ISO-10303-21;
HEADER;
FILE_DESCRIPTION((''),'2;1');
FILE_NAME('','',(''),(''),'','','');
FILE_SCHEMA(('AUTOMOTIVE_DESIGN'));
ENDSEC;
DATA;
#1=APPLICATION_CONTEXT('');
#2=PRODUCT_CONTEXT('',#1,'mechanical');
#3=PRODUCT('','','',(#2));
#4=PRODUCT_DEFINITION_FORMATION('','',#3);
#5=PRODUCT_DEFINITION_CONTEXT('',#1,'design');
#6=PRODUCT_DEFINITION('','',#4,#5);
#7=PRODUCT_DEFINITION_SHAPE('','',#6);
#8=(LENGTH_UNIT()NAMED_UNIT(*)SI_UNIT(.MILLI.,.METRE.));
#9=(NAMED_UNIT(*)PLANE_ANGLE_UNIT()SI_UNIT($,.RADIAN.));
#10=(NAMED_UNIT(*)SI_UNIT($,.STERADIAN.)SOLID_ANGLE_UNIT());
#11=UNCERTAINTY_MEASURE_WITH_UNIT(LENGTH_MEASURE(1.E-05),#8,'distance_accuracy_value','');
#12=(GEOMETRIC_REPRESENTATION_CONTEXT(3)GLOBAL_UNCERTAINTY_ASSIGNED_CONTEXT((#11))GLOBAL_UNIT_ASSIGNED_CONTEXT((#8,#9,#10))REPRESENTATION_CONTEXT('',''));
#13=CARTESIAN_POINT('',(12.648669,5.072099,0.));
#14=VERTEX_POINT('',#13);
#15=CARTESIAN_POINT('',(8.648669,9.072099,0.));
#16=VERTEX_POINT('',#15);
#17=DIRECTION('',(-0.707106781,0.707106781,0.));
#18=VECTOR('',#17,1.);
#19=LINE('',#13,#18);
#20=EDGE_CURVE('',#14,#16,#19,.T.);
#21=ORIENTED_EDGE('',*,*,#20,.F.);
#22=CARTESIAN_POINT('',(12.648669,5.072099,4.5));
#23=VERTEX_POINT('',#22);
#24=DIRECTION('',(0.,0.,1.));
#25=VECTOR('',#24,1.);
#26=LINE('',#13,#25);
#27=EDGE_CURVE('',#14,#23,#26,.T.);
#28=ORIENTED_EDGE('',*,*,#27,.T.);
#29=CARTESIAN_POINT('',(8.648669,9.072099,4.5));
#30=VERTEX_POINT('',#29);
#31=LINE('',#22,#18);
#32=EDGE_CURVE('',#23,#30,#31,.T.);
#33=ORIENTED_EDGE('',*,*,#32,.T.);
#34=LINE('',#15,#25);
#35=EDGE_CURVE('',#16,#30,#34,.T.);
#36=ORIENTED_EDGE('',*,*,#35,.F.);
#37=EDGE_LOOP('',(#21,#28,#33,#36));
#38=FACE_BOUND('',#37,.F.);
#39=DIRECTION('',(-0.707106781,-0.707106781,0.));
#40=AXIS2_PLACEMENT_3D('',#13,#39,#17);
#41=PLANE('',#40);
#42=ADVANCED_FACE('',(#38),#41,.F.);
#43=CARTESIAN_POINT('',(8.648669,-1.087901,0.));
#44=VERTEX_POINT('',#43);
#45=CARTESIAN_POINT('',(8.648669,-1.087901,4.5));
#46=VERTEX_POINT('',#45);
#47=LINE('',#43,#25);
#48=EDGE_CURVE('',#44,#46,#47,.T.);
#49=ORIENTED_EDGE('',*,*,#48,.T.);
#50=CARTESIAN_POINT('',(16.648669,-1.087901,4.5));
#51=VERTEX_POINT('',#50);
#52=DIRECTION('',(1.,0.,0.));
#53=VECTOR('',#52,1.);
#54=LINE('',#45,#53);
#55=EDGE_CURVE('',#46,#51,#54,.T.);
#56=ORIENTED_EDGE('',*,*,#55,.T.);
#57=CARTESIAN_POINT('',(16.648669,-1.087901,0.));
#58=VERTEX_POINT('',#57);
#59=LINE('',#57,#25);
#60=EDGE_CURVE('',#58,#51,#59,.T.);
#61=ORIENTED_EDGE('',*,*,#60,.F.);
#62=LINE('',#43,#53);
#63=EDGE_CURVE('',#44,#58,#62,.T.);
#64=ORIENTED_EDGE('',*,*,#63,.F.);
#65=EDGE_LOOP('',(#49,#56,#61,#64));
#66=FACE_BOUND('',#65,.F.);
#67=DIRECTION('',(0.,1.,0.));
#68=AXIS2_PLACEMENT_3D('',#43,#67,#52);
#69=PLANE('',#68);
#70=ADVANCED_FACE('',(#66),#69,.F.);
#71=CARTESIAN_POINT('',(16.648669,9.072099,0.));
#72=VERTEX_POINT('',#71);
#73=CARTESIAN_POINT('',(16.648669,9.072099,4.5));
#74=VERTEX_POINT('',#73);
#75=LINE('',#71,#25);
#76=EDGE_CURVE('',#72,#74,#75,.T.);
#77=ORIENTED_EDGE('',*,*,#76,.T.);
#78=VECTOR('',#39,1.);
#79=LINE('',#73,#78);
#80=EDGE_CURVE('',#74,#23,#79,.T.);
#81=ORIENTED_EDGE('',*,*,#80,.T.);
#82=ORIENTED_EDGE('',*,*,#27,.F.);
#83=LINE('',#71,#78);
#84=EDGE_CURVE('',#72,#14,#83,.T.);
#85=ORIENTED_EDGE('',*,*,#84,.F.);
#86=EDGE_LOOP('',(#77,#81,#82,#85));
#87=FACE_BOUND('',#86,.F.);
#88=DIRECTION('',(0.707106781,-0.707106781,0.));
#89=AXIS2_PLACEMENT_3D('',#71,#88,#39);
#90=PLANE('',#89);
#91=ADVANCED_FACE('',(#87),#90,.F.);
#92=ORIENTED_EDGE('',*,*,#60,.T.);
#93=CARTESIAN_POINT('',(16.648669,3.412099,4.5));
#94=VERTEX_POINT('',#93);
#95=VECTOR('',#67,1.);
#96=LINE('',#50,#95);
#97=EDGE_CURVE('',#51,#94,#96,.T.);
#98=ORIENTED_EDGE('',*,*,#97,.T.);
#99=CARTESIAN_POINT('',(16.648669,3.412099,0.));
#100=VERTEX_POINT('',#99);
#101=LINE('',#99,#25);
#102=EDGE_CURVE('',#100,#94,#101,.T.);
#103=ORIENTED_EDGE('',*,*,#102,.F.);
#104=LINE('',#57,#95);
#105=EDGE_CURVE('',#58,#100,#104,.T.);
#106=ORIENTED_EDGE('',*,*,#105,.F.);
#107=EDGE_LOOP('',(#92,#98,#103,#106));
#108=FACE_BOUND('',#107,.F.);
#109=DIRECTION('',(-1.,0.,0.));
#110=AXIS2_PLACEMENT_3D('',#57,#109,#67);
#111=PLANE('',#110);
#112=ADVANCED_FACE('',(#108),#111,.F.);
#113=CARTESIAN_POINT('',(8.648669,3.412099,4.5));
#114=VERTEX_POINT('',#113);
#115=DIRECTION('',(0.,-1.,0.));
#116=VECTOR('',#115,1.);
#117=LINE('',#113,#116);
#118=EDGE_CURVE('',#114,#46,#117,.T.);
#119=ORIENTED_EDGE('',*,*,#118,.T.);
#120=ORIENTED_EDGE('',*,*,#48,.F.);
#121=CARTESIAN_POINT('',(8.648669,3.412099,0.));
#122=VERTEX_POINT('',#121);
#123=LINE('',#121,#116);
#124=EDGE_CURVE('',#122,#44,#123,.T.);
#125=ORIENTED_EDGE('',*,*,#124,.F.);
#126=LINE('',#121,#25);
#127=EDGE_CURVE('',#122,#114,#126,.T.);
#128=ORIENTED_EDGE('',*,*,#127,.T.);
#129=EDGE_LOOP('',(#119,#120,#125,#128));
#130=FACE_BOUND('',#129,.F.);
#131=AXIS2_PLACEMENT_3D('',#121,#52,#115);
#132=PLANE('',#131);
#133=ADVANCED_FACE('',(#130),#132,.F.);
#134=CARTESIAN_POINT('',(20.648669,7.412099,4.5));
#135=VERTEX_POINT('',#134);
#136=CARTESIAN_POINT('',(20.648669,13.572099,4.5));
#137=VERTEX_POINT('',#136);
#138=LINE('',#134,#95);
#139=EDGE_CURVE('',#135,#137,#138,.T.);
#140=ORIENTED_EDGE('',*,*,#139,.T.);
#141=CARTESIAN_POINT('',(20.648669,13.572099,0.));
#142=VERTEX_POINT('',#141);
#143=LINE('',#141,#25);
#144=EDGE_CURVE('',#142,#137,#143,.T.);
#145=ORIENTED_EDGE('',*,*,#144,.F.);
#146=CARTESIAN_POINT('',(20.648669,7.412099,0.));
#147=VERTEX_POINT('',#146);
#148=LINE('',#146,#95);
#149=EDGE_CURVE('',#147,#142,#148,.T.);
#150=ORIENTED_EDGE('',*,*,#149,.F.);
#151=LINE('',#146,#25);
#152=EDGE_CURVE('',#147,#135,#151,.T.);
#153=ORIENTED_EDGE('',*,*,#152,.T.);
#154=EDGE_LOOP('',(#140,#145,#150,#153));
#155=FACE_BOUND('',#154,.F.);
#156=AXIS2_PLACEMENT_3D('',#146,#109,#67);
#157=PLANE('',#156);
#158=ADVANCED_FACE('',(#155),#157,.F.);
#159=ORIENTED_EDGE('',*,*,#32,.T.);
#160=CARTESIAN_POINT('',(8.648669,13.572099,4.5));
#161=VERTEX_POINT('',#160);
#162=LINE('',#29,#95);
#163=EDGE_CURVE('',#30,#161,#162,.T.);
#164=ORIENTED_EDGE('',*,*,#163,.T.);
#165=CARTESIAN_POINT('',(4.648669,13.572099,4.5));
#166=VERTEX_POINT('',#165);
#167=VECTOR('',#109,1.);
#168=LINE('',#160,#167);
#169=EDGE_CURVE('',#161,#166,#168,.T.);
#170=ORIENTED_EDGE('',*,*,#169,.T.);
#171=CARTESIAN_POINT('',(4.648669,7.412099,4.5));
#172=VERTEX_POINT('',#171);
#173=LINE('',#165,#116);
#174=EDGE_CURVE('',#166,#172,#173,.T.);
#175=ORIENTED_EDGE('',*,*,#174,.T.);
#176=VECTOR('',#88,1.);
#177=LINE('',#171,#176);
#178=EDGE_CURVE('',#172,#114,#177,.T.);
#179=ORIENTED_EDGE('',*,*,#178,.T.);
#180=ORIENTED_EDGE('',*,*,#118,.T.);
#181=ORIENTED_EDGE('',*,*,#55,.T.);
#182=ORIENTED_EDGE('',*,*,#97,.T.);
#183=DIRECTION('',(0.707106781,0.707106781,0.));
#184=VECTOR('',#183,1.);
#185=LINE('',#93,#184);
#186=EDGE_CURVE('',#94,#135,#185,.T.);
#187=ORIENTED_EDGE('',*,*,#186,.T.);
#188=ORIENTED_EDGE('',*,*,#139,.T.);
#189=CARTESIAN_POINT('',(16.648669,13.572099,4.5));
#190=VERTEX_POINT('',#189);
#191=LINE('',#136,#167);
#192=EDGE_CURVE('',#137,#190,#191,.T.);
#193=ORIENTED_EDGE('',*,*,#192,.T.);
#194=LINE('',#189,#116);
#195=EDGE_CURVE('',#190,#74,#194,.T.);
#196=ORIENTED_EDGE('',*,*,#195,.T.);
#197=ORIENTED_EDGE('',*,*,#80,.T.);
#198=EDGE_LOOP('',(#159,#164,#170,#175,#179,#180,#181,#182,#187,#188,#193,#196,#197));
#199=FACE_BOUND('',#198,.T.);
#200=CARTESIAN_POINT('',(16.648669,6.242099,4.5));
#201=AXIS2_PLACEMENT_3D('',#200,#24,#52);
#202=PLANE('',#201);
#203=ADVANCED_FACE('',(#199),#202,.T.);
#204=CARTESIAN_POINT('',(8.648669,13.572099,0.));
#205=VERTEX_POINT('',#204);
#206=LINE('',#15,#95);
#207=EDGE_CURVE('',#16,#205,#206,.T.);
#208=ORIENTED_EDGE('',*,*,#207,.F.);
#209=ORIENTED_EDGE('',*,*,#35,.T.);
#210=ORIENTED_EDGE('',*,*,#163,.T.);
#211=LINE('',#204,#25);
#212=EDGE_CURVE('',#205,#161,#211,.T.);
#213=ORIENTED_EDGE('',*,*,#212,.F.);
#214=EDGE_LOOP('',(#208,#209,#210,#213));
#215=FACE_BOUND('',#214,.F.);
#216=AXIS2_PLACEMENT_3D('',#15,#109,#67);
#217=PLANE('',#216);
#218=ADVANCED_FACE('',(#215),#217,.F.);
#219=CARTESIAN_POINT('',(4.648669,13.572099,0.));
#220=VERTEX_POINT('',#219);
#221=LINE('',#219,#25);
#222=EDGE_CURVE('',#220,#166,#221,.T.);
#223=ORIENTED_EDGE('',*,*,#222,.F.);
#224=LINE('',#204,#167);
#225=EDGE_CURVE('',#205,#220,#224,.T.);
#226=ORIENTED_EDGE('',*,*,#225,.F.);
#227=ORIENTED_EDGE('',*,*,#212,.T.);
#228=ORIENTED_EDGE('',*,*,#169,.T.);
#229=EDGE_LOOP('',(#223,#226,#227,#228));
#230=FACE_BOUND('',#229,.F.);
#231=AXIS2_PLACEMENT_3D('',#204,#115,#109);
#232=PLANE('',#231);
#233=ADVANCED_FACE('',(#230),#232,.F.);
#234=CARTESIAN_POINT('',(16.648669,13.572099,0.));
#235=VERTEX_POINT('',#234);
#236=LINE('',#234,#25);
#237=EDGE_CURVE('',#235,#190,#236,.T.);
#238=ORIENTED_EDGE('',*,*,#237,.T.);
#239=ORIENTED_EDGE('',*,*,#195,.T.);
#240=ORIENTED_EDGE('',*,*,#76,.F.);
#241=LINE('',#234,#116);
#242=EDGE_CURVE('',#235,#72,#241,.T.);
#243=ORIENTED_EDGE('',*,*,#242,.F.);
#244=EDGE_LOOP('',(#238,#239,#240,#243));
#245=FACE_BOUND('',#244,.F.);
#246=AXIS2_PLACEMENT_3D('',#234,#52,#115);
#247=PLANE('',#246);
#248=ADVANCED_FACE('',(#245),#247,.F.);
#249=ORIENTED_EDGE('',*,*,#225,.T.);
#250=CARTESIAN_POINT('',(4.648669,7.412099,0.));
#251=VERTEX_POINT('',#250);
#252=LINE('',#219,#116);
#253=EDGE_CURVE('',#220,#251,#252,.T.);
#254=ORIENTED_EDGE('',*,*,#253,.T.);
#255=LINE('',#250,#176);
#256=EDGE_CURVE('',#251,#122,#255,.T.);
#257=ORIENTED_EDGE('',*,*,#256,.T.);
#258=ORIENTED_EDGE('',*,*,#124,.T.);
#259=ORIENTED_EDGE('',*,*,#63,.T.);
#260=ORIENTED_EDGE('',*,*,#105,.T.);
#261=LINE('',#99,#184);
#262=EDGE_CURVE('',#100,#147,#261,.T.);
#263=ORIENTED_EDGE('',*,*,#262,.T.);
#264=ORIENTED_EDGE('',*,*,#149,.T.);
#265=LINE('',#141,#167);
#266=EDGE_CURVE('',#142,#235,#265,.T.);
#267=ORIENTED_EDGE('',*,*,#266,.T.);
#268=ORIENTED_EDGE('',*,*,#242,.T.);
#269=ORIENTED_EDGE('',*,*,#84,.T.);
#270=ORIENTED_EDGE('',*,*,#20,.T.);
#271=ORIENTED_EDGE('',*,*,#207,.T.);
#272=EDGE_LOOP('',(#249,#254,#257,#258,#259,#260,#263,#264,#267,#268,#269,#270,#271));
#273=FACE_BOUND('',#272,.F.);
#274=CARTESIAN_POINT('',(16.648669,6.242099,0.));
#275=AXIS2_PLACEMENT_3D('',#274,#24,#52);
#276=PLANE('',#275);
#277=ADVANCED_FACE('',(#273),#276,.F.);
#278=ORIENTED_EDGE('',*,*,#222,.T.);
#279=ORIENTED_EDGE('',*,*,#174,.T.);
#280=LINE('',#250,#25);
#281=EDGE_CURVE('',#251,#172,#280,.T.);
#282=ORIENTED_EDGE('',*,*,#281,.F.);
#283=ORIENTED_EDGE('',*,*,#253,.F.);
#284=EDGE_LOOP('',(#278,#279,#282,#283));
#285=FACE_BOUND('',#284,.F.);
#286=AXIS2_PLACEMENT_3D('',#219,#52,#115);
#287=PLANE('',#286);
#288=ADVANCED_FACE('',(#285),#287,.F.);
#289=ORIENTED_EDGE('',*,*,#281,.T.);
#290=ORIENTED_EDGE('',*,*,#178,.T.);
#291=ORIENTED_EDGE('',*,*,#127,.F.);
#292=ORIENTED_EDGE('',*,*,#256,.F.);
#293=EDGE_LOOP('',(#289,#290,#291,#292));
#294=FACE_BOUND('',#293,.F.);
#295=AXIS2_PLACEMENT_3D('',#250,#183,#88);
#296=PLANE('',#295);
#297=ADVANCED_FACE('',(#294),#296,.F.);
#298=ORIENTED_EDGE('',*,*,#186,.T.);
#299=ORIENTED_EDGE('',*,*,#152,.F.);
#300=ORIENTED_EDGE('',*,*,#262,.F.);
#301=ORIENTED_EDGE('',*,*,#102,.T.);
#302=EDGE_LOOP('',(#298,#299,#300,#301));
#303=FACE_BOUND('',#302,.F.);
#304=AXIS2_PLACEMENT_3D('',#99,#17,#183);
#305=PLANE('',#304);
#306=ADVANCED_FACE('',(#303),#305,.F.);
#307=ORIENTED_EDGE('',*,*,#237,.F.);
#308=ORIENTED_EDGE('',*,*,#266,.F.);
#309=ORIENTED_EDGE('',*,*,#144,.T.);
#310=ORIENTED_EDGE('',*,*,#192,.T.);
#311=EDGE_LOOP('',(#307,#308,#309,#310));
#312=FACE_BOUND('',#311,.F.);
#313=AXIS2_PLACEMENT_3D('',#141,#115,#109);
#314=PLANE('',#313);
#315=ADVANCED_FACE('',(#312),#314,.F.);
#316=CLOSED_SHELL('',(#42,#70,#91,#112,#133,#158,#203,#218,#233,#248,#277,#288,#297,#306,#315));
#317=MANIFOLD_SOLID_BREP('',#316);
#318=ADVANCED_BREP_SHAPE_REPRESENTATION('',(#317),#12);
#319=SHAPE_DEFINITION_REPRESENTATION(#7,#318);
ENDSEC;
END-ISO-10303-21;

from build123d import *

# Parameters (mm, degrees)
F1_DEPTH = 4.5


with BuildPart() as f1:
    # F0 (on Top) → F1 (new body)
    with BuildSketch(Plane.XY):
        Polygon((12.648669, 5.072099), (12.648669, -1.087901), (16.648669, -1.087901), (16.648669, 3.412099), (20.648669, 7.412099), (20.648669, 13.572099), (16.648669, 13.572099), (16.648669, 9.072099), align=None)
        Polygon((8.648669, -1.087901), (12.648669, -1.087901), (12.648669, 5.072099), (8.648669, 9.072099), (8.648669, 13.572099), (4.648669, 13.572099), (4.648669, 7.412099), (8.648669, 3.412099), align=None)
    extrude(amount=F1_DEPTH)


solid = f1.part
